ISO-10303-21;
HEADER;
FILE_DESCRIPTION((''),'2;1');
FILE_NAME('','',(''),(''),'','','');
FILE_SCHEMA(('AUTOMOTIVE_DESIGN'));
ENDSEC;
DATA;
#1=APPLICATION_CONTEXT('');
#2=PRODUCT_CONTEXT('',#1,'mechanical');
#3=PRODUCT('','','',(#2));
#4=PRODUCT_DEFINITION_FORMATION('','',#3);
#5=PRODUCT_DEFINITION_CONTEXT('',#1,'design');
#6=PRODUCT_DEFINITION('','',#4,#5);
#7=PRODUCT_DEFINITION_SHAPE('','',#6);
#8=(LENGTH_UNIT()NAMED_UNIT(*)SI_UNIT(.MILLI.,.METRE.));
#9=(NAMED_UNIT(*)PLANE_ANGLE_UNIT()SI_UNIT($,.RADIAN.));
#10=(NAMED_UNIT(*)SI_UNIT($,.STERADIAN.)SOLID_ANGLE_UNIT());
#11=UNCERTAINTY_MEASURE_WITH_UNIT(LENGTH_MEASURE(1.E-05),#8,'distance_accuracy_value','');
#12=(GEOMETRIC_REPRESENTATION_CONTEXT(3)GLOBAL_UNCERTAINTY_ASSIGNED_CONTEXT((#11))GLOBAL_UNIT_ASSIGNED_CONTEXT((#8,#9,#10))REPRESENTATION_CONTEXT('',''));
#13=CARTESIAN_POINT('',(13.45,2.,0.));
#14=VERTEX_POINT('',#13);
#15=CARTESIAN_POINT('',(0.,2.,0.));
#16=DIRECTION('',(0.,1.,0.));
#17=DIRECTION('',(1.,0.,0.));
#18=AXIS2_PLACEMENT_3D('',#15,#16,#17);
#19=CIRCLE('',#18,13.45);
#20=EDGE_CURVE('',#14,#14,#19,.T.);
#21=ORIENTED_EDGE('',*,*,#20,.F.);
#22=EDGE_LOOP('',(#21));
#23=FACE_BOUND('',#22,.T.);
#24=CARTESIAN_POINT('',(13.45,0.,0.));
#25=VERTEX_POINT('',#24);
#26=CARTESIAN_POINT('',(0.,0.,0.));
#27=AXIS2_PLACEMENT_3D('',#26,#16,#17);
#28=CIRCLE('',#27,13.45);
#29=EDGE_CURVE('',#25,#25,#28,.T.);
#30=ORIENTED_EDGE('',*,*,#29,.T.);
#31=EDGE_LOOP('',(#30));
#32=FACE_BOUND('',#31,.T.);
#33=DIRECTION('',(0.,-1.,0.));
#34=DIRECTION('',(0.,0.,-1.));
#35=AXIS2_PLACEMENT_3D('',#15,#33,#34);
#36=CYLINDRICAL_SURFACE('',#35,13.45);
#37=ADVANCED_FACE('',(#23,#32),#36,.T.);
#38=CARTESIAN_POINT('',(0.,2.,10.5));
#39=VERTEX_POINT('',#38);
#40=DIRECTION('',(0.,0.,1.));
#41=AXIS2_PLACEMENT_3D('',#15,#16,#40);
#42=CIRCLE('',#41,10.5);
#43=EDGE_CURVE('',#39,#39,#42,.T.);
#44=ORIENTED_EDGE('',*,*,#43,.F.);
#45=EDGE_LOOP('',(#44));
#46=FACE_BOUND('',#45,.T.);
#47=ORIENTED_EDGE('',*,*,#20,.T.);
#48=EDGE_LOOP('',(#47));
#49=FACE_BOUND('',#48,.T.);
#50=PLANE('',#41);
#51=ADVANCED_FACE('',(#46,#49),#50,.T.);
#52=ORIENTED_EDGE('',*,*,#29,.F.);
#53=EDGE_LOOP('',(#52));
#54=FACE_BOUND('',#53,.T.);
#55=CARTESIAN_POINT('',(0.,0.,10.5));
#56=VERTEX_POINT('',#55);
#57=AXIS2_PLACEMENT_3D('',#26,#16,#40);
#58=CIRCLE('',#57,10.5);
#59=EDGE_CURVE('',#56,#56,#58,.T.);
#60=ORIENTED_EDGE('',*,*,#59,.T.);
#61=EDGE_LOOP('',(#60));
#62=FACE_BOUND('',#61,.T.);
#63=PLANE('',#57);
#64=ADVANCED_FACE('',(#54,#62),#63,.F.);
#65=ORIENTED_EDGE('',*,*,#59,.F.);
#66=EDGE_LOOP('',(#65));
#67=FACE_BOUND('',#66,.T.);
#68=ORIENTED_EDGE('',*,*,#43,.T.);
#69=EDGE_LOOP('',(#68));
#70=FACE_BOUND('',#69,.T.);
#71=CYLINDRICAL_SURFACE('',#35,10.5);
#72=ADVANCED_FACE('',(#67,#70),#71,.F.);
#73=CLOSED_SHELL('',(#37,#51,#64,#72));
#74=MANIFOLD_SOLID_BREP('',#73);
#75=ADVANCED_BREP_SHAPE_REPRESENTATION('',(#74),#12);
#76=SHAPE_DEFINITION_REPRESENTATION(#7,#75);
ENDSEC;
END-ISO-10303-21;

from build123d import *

# Parameters (mm, degrees)
SKETCH_1_R      = 13.45
SKETCH_1_R_2    = 10.5
EXTRUDE_1_DEPTH = 2


with BuildPart() as part:
    # 草圖1 → 伸長-薄件1 (new body)
    with BuildSketch(Plane(origin=(0, 0, 0), x_dir=(1, 0, 0), z_dir=(0, 1, 0))):
        Circle(SKETCH_1_R)
        Circle(SKETCH_1_R_2, mode=Mode.SUBTRACT)
    extrude(amount=EXTRUDE_1_DEPTH)


solid = part.part
